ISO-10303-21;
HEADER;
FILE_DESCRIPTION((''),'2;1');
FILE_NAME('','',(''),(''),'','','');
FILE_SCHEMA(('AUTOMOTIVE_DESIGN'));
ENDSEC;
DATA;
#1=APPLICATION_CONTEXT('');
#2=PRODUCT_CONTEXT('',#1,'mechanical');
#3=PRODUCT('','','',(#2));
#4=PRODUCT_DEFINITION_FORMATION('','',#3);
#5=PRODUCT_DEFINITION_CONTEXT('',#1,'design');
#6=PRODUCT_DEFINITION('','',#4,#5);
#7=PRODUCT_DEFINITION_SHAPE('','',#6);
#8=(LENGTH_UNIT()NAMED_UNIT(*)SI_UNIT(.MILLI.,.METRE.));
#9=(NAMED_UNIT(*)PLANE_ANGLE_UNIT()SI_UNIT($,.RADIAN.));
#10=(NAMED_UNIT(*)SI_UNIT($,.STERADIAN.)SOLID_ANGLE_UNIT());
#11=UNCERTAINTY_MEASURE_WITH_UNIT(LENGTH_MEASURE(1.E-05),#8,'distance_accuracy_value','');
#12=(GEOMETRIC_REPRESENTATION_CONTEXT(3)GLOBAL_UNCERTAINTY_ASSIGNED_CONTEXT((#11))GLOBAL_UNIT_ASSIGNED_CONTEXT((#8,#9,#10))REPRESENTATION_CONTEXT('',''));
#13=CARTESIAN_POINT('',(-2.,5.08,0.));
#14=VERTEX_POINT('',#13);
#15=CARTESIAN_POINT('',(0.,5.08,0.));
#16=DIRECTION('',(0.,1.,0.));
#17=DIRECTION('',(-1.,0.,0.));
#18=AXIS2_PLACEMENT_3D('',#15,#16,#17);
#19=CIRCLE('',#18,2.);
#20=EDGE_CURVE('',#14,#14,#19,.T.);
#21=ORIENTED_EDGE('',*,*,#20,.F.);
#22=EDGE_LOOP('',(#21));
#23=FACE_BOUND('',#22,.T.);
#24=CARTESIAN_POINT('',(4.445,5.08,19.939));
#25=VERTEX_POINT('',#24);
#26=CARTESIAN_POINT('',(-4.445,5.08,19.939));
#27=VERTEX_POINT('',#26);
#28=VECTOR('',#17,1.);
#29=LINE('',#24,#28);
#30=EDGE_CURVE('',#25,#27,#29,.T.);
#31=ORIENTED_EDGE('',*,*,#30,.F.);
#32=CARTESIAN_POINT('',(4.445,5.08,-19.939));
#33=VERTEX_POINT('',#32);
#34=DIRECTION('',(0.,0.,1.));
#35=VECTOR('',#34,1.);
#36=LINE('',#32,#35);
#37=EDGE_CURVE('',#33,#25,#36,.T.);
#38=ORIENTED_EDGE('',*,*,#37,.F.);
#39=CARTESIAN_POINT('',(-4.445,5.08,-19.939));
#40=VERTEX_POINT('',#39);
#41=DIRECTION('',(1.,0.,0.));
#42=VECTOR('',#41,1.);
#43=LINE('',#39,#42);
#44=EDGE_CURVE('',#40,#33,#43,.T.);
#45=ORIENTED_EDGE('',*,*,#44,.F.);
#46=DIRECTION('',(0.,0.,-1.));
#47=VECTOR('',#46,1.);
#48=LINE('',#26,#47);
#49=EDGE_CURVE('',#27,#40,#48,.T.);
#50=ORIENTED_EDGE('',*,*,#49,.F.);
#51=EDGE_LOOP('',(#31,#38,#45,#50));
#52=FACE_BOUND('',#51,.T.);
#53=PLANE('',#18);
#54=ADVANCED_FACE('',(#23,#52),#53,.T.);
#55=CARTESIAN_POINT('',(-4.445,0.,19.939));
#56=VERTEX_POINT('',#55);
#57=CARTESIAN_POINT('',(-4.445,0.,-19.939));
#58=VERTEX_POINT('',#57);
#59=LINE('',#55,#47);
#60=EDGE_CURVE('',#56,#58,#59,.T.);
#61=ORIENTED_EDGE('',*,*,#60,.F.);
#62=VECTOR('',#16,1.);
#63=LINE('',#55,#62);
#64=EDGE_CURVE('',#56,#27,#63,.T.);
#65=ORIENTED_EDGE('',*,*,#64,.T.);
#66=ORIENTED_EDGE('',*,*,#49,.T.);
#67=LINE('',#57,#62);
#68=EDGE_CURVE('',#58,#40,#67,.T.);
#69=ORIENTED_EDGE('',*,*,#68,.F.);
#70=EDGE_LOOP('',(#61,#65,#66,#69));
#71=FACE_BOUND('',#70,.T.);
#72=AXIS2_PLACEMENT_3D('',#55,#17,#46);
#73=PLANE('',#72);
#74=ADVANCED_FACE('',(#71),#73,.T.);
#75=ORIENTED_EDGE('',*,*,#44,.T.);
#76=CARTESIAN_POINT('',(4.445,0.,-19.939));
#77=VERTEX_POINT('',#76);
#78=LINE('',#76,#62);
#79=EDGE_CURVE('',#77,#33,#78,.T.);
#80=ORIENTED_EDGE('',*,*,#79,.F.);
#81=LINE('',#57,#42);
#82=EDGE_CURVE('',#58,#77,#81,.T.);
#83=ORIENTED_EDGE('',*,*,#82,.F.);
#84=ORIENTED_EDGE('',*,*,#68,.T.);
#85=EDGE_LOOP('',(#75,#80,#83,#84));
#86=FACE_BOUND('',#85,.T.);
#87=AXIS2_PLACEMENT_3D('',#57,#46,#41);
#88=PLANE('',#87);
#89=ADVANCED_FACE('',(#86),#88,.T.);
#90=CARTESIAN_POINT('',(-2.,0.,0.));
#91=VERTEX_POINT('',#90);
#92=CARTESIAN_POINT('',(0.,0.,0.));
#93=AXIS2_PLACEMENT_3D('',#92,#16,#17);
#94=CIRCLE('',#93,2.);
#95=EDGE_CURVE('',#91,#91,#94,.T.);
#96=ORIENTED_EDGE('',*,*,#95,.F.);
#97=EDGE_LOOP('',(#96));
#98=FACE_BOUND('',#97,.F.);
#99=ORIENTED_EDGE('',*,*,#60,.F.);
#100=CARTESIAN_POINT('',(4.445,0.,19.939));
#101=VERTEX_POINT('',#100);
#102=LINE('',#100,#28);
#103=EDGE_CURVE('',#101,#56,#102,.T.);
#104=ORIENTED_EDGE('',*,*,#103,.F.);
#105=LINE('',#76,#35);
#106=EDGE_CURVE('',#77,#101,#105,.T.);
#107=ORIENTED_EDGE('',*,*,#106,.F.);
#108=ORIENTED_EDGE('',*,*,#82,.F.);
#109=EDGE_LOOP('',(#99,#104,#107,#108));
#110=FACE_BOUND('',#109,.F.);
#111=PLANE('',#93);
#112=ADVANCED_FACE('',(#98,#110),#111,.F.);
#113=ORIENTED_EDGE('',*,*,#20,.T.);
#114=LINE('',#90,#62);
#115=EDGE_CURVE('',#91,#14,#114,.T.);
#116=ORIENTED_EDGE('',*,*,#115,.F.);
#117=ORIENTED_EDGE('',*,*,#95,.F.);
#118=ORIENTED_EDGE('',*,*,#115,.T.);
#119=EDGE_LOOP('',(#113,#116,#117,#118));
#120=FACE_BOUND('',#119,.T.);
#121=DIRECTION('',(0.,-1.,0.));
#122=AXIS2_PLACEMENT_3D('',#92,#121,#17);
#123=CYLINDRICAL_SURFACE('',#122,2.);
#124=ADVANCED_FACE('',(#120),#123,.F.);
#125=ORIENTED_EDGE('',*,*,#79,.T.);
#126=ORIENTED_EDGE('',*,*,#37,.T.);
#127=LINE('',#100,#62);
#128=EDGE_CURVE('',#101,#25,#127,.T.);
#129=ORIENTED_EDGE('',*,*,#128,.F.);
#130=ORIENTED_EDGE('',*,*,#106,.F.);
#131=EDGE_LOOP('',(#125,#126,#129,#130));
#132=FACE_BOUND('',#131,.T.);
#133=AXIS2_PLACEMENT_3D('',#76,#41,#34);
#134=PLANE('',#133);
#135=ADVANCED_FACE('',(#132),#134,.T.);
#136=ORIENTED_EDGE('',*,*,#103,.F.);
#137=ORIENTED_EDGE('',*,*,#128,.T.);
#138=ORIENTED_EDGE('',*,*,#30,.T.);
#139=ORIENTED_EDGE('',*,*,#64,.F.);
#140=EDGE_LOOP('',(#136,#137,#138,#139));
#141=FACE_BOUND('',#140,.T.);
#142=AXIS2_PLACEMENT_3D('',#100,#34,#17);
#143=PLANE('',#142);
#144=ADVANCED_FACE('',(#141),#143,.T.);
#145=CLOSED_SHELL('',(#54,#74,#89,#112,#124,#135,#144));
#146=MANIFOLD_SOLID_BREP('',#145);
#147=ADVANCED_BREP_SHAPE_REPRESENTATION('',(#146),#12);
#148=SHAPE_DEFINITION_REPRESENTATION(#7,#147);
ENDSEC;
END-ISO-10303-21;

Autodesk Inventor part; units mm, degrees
ref_plane "YZ Plane" through (0, 0, 0) normal (1, 0, 0) x (0, 1, 0)
ref_plane "XZ Plane" through (0, 0, 0) normal (0, 1, 0) x (-1, 0, 0)
ref_plane "XY Plane" through (0, 0, 0) normal (0, 0, 1) x (1, 0, 0)
sketch "Sketch1" plane through (0, 0, 0) normal (0, 1, 0) x (-1, 0, 0)
  line L0 (-4.445, 19.939) -> (4.445, 19.939)
  line L1 (4.445, 19.939) -> (4.445, -19.939)
  line L2 (4.445, -19.939) -> (-4.445, -19.939)
  line L3 (-4.445, -19.939) -> (-4.445, 19.939)
  line L4 (-4.445, 19.939) -> (4.445, -19.939) construction
  line L5 (4.445, 19.939) -> (-4.445, -19.939) construction
  circle A0 centre (0, 0) radius 2
  dimension "d0" = 8.89
  dimension "d1" = 39.878
  dimension "d2" = 4
extrude "Extrusion1" add sketch "Sketch1" along normal blind 5.08
properties part number "BeltMount"
